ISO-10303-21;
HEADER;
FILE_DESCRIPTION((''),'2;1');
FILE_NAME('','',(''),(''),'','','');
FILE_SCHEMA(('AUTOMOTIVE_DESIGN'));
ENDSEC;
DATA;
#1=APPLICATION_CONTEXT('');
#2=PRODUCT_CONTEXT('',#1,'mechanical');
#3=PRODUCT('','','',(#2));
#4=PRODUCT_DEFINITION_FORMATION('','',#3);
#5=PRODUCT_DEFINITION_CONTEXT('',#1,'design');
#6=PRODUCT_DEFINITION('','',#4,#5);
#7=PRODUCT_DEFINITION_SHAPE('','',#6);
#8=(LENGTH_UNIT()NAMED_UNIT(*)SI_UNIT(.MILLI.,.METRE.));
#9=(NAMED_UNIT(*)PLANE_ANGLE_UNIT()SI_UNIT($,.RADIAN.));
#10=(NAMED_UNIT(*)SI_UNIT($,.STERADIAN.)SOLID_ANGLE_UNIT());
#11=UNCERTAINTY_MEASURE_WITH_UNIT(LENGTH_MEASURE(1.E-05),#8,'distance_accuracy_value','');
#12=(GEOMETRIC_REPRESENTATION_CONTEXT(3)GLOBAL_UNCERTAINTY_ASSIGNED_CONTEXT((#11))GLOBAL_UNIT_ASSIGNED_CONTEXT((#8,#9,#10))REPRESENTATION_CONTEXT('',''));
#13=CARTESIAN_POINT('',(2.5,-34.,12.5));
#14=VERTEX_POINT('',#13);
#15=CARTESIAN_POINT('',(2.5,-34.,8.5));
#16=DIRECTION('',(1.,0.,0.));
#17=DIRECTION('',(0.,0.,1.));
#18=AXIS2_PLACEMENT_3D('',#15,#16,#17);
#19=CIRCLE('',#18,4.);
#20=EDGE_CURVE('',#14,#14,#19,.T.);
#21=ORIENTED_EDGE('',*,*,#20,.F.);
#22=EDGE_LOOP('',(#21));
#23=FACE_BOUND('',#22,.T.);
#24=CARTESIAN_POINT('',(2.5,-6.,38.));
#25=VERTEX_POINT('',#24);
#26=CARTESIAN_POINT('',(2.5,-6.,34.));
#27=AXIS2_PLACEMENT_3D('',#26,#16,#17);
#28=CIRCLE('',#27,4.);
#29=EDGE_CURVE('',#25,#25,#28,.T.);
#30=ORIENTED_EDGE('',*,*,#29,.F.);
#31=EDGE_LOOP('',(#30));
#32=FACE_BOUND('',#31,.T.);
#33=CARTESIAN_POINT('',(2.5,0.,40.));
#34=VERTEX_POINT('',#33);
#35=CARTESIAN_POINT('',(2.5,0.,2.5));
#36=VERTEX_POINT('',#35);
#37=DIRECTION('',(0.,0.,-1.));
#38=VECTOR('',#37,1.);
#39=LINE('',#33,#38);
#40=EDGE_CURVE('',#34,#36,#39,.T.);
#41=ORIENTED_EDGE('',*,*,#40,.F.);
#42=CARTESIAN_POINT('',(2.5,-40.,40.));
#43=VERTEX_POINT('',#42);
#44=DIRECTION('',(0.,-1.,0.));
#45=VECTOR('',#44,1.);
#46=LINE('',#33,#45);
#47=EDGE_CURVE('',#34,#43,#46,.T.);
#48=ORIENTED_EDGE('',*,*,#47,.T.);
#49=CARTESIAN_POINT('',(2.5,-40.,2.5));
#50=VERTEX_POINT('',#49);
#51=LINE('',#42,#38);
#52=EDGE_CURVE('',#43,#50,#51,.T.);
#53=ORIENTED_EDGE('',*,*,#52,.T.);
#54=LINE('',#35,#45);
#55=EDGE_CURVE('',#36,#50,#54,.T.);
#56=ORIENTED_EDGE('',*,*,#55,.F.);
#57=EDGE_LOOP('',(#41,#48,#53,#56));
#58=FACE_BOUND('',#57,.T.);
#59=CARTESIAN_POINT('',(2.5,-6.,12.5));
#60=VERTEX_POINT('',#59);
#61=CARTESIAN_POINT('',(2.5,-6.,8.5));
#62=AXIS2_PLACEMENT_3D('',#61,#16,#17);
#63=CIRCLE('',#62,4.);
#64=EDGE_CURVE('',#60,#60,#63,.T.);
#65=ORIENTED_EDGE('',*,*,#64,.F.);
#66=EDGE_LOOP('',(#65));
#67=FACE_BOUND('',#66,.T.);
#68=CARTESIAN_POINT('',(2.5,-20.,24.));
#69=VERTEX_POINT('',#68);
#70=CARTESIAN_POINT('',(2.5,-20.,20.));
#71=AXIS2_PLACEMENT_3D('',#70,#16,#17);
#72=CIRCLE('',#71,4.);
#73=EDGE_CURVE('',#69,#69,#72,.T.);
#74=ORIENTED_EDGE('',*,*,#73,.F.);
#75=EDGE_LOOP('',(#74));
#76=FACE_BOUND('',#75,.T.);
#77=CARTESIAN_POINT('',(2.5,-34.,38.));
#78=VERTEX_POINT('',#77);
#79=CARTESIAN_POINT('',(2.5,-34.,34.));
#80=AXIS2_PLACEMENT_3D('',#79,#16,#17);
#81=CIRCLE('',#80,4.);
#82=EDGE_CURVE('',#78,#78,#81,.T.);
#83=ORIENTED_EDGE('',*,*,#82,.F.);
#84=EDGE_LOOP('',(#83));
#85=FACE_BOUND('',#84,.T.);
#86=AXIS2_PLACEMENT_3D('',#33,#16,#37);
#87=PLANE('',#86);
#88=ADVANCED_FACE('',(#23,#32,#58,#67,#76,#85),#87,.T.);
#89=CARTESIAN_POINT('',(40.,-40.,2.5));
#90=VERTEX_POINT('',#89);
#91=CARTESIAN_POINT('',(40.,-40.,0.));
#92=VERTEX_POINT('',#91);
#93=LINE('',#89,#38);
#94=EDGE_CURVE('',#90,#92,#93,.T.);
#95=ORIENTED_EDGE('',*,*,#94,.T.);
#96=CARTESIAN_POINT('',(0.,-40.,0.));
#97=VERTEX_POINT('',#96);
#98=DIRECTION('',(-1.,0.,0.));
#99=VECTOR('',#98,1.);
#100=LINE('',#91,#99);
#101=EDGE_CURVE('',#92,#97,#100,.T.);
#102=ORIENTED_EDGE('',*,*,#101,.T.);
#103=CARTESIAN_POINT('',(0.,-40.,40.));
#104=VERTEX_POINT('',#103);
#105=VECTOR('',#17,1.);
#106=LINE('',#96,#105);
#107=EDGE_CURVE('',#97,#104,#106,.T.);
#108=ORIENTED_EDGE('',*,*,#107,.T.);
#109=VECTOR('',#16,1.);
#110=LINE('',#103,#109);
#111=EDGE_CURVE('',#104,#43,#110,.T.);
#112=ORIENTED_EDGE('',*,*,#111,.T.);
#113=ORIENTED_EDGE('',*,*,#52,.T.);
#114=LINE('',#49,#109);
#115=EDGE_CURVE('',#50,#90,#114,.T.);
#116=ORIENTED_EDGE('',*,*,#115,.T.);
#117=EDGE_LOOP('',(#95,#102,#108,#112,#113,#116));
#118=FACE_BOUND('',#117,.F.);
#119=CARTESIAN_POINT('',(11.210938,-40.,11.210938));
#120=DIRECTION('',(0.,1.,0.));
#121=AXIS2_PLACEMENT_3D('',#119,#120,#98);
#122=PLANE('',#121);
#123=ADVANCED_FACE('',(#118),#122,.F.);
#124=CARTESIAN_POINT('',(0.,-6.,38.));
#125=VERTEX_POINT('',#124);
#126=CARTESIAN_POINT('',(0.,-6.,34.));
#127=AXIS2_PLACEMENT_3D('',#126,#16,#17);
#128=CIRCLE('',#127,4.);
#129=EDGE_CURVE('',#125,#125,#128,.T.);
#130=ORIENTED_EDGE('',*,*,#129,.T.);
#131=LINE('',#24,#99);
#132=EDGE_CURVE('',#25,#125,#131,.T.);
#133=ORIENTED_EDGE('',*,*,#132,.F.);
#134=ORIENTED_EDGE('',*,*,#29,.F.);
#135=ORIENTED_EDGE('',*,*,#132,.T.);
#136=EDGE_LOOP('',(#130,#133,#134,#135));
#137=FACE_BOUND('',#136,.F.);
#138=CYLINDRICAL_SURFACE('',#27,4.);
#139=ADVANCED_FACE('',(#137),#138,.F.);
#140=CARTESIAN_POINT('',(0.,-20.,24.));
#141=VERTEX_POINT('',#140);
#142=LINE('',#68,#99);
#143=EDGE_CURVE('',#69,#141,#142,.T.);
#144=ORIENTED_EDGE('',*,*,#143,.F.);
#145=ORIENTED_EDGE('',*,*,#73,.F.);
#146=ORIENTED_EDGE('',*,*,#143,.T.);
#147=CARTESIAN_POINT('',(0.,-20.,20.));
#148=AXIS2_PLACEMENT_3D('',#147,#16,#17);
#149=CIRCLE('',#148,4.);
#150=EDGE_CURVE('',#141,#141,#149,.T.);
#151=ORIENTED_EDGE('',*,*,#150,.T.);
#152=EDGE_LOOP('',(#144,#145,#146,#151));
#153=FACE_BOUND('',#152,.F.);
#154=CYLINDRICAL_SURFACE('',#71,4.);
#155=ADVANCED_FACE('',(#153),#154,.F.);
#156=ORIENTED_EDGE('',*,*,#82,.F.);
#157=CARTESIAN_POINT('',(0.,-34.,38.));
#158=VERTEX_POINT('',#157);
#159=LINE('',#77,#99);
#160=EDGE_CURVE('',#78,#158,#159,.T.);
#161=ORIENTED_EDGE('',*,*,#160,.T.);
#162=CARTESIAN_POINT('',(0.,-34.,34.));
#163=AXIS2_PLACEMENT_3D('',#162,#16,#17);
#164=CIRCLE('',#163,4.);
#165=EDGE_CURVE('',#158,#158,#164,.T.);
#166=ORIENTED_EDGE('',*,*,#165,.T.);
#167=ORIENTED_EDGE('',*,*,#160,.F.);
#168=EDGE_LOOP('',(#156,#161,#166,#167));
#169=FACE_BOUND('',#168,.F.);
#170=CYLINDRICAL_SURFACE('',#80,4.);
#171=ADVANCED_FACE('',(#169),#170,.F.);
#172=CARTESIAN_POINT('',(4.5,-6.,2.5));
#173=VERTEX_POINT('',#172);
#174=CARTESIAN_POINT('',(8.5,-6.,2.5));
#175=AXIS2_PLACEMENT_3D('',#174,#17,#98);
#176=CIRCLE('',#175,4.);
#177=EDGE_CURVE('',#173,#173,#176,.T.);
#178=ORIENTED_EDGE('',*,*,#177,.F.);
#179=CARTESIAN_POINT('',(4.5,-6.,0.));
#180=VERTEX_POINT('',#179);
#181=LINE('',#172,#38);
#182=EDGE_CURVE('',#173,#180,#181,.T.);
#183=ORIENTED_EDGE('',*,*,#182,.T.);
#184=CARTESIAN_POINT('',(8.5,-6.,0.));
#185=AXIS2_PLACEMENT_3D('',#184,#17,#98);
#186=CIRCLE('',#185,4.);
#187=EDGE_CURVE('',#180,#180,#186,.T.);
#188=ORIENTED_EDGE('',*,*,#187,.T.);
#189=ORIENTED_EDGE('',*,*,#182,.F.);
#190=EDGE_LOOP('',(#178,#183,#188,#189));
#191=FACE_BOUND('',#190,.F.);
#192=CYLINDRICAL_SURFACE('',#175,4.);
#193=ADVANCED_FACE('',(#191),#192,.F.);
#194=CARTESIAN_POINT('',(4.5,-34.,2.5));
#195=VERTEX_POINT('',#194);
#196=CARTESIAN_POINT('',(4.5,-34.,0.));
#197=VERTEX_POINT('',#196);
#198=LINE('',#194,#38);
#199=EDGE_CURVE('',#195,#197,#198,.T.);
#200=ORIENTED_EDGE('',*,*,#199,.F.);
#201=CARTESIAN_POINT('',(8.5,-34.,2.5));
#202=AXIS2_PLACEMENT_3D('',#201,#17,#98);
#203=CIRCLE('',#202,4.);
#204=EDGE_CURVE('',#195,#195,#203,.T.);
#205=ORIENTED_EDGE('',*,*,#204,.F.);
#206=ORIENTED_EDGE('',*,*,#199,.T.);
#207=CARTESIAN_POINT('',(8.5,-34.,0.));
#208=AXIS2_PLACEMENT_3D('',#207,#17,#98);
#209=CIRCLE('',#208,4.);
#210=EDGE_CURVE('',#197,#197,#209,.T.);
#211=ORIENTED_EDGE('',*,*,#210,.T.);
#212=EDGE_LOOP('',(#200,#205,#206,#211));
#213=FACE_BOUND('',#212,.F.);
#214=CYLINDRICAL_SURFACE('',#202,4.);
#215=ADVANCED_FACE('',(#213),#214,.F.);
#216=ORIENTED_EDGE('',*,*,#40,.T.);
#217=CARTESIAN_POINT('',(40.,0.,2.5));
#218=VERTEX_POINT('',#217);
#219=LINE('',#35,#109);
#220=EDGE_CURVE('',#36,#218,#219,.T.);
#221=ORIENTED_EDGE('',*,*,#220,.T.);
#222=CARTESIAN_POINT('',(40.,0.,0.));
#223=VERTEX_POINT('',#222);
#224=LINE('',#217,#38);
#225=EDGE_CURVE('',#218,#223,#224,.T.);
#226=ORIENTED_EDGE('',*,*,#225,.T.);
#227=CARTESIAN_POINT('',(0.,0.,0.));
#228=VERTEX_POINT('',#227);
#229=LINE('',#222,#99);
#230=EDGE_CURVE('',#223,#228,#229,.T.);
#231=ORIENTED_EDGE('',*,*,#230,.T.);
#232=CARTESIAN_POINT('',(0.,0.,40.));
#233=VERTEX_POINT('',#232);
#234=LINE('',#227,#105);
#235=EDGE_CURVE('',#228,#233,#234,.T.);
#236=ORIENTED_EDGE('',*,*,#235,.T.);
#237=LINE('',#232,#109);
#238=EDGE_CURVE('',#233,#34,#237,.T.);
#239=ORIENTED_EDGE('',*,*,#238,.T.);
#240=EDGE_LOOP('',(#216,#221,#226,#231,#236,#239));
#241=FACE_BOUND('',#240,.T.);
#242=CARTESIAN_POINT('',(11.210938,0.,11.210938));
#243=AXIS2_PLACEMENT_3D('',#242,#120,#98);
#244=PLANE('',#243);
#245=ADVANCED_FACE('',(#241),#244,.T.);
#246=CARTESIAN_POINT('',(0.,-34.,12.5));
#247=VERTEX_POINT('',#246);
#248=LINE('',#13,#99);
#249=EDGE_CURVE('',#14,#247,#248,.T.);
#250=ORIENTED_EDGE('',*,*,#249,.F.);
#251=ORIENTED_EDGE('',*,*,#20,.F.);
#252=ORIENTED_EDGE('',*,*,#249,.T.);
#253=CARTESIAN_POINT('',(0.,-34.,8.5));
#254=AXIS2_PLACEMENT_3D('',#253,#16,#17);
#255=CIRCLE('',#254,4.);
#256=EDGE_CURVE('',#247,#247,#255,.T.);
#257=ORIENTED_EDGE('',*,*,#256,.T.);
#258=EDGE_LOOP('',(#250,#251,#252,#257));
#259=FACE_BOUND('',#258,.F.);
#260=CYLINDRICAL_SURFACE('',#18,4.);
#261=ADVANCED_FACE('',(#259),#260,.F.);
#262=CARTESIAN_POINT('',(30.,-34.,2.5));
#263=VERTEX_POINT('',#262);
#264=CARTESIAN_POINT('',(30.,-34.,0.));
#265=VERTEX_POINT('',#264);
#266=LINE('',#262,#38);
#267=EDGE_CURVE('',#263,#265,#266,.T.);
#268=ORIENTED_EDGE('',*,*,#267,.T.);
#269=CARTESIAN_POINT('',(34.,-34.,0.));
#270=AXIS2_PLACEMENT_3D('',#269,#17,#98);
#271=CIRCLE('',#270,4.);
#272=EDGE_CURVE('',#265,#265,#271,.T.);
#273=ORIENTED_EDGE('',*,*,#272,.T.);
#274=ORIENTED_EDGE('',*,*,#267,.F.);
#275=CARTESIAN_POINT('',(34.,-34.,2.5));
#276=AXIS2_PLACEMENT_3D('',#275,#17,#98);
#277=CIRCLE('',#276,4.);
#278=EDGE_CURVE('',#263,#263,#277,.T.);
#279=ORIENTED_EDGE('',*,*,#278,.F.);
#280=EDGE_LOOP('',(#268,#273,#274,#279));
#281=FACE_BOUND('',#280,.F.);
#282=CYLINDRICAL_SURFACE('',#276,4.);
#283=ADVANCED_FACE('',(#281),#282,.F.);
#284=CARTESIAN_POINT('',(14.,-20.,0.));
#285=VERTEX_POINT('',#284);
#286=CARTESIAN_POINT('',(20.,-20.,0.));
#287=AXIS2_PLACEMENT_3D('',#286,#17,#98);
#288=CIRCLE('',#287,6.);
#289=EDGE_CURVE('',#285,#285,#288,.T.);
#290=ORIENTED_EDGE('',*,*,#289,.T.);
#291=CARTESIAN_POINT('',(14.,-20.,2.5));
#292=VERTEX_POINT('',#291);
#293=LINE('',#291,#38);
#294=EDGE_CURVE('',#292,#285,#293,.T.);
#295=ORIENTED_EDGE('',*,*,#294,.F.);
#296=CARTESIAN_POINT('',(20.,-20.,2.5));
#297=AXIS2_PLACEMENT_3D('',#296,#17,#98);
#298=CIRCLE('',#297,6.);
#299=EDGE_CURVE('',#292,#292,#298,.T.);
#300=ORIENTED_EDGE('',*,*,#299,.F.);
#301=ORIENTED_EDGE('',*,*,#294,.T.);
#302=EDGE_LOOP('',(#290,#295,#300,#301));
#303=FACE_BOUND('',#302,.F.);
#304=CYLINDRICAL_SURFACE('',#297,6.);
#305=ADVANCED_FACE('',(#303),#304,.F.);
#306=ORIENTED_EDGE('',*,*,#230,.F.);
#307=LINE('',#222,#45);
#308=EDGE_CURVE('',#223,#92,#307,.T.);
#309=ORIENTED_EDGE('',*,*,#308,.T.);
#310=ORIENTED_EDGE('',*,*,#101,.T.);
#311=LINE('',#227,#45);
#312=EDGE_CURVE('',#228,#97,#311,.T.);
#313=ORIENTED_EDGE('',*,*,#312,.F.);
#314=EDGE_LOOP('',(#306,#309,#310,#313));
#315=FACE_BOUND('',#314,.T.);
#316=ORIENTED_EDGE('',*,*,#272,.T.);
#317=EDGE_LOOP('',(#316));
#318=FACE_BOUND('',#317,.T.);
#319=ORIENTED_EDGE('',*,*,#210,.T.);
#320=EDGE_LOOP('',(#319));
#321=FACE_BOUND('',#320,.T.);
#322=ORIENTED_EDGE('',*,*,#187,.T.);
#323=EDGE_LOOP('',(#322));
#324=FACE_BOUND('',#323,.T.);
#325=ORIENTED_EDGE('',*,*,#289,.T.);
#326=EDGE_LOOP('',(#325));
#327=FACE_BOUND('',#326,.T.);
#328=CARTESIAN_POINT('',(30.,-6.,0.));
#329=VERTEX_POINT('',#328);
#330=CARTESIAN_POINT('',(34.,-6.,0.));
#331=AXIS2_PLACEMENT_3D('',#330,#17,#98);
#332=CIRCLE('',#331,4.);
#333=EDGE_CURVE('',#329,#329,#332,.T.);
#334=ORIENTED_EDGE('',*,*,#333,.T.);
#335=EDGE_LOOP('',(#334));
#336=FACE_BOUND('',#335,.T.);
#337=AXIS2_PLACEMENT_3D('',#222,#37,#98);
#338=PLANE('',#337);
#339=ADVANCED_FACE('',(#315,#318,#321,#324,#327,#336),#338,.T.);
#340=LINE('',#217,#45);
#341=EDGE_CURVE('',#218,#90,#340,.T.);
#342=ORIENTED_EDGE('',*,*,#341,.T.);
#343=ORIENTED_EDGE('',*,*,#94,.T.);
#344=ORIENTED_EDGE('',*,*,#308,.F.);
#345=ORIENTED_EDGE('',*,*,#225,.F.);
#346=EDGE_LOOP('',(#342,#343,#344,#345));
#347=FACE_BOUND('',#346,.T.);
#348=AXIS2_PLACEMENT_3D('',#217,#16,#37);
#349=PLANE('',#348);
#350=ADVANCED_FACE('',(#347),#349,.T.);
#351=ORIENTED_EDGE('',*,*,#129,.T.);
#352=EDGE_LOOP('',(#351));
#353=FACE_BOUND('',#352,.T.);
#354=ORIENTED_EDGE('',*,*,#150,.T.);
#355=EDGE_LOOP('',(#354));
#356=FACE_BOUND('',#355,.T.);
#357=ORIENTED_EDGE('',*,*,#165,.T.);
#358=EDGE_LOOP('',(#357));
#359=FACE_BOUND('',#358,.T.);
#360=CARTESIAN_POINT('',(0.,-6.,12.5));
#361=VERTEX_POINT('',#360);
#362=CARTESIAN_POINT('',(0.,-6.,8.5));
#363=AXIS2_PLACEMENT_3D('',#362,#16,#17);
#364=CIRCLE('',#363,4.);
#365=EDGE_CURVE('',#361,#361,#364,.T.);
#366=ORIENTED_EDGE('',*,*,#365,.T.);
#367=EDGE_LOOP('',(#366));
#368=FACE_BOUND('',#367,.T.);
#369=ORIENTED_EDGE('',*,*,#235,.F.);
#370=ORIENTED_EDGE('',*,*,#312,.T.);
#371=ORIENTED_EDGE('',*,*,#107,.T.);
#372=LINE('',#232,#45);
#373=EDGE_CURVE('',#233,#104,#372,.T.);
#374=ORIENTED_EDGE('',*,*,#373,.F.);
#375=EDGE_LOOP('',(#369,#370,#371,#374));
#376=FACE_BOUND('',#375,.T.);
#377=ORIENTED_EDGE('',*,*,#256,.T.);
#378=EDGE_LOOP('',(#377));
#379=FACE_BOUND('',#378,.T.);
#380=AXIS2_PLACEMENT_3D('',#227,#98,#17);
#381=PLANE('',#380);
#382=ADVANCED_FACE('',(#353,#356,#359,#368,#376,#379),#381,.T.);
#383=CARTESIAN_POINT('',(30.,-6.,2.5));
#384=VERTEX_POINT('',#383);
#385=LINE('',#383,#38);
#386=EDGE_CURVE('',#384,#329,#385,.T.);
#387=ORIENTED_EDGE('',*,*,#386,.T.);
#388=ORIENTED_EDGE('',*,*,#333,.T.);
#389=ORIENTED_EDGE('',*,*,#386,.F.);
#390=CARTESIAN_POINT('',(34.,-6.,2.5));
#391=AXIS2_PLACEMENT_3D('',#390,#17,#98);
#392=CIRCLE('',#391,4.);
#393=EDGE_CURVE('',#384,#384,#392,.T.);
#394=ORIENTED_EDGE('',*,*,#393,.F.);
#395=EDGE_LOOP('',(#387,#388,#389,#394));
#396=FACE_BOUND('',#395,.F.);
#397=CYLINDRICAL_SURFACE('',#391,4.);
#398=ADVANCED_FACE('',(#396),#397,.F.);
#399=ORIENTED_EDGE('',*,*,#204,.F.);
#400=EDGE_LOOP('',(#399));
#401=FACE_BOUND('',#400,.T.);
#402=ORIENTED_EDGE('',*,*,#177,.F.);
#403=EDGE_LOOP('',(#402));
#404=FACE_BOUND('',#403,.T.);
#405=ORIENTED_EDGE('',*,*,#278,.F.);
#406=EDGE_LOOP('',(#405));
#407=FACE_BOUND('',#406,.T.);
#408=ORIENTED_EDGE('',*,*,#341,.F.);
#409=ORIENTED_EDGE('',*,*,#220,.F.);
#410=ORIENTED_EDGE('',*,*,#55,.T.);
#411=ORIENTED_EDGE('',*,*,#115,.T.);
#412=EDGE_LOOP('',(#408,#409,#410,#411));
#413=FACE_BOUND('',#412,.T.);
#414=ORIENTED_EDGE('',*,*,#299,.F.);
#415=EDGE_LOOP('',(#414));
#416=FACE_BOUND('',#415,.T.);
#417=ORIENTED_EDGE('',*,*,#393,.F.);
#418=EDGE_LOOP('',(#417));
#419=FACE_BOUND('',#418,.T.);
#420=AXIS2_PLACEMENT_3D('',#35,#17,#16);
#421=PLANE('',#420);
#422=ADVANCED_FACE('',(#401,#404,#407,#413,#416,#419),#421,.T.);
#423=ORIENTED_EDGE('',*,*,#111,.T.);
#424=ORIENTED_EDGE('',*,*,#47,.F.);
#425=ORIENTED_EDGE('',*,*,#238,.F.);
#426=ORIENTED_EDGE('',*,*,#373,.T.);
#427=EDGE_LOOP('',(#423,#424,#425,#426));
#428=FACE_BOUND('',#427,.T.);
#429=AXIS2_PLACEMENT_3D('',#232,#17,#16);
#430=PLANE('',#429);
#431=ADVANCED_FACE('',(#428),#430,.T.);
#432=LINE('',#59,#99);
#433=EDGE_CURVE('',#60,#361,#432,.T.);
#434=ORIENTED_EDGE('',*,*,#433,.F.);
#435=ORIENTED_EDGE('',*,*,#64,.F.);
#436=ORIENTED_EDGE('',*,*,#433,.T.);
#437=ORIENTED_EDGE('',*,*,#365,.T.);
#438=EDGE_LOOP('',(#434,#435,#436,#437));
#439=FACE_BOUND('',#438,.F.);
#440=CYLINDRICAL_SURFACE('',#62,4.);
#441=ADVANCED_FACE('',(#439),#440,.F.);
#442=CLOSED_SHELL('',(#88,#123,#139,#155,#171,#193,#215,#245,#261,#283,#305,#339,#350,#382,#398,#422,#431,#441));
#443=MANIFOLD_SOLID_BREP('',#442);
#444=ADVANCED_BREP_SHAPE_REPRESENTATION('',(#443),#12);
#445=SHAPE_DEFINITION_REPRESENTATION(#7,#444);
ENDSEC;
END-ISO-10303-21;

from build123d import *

# Parameters (mm, degrees)
PAD_DEPTH       = 40
SKETCH001_R     = 4
POCKET_DEPTH    = 2.501
SKETCH002_R     = 4
SKETCH002_R_2   = 6
POCKET001_DEPTH = 2.501


with BuildPart() as part:
    # Sketch → Pad (new body)
    with BuildSketch(Plane.XZ):
        Polygon((0, 0), (0, 40), (2.5, 40), (2.5, 2.5), (40, 2.5), (40, 0), align=None)
    extrude(amount=PAD_DEPTH)

    # Sketch001 (on Face3 of Pad) → Pocket (cut, through all)
    with BuildSketch(Plane(origin=(2.5, 0, 0), x_dir=(0, 0, 1), z_dir=(1, 0, 0))):
        with Locations((8.5, 34)):
            Circle(SKETCH001_R)
        with Locations((34, 34)):
            Circle(SKETCH001_R)
        with Locations((8.5, 6)):
            Circle(SKETCH001_R)
        with Locations((34, 6)):
            Circle(SKETCH001_R)
        with Locations((20, 20)):
            Circle(SKETCH001_R)
    extrude(amount=-POCKET_DEPTH, mode=Mode.SUBTRACT)

    # Sketch002 (on Face13 of Pocket) → Pocket001 (cut, through all)
    with BuildSketch(Plane(origin=(0, 0, 2.5), x_dir=(-1, 0, 0), z_dir=(0, 0, 1))):
        with Locations((-8.5, 6)):
            Circle(SKETCH002_R)
        with Locations((-34, 6)):
            Circle(SKETCH002_R)
        with Locations((-8.5, 34)):
            Circle(SKETCH002_R)
        with Locations((-34, 34)):
            Circle(SKETCH002_R)
        with Locations((-20, 20)):
            Circle(SKETCH002_R_2)
    extrude(amount=-POCKET001_DEPTH, mode=Mode.SUBTRACT)


solid = part.part
